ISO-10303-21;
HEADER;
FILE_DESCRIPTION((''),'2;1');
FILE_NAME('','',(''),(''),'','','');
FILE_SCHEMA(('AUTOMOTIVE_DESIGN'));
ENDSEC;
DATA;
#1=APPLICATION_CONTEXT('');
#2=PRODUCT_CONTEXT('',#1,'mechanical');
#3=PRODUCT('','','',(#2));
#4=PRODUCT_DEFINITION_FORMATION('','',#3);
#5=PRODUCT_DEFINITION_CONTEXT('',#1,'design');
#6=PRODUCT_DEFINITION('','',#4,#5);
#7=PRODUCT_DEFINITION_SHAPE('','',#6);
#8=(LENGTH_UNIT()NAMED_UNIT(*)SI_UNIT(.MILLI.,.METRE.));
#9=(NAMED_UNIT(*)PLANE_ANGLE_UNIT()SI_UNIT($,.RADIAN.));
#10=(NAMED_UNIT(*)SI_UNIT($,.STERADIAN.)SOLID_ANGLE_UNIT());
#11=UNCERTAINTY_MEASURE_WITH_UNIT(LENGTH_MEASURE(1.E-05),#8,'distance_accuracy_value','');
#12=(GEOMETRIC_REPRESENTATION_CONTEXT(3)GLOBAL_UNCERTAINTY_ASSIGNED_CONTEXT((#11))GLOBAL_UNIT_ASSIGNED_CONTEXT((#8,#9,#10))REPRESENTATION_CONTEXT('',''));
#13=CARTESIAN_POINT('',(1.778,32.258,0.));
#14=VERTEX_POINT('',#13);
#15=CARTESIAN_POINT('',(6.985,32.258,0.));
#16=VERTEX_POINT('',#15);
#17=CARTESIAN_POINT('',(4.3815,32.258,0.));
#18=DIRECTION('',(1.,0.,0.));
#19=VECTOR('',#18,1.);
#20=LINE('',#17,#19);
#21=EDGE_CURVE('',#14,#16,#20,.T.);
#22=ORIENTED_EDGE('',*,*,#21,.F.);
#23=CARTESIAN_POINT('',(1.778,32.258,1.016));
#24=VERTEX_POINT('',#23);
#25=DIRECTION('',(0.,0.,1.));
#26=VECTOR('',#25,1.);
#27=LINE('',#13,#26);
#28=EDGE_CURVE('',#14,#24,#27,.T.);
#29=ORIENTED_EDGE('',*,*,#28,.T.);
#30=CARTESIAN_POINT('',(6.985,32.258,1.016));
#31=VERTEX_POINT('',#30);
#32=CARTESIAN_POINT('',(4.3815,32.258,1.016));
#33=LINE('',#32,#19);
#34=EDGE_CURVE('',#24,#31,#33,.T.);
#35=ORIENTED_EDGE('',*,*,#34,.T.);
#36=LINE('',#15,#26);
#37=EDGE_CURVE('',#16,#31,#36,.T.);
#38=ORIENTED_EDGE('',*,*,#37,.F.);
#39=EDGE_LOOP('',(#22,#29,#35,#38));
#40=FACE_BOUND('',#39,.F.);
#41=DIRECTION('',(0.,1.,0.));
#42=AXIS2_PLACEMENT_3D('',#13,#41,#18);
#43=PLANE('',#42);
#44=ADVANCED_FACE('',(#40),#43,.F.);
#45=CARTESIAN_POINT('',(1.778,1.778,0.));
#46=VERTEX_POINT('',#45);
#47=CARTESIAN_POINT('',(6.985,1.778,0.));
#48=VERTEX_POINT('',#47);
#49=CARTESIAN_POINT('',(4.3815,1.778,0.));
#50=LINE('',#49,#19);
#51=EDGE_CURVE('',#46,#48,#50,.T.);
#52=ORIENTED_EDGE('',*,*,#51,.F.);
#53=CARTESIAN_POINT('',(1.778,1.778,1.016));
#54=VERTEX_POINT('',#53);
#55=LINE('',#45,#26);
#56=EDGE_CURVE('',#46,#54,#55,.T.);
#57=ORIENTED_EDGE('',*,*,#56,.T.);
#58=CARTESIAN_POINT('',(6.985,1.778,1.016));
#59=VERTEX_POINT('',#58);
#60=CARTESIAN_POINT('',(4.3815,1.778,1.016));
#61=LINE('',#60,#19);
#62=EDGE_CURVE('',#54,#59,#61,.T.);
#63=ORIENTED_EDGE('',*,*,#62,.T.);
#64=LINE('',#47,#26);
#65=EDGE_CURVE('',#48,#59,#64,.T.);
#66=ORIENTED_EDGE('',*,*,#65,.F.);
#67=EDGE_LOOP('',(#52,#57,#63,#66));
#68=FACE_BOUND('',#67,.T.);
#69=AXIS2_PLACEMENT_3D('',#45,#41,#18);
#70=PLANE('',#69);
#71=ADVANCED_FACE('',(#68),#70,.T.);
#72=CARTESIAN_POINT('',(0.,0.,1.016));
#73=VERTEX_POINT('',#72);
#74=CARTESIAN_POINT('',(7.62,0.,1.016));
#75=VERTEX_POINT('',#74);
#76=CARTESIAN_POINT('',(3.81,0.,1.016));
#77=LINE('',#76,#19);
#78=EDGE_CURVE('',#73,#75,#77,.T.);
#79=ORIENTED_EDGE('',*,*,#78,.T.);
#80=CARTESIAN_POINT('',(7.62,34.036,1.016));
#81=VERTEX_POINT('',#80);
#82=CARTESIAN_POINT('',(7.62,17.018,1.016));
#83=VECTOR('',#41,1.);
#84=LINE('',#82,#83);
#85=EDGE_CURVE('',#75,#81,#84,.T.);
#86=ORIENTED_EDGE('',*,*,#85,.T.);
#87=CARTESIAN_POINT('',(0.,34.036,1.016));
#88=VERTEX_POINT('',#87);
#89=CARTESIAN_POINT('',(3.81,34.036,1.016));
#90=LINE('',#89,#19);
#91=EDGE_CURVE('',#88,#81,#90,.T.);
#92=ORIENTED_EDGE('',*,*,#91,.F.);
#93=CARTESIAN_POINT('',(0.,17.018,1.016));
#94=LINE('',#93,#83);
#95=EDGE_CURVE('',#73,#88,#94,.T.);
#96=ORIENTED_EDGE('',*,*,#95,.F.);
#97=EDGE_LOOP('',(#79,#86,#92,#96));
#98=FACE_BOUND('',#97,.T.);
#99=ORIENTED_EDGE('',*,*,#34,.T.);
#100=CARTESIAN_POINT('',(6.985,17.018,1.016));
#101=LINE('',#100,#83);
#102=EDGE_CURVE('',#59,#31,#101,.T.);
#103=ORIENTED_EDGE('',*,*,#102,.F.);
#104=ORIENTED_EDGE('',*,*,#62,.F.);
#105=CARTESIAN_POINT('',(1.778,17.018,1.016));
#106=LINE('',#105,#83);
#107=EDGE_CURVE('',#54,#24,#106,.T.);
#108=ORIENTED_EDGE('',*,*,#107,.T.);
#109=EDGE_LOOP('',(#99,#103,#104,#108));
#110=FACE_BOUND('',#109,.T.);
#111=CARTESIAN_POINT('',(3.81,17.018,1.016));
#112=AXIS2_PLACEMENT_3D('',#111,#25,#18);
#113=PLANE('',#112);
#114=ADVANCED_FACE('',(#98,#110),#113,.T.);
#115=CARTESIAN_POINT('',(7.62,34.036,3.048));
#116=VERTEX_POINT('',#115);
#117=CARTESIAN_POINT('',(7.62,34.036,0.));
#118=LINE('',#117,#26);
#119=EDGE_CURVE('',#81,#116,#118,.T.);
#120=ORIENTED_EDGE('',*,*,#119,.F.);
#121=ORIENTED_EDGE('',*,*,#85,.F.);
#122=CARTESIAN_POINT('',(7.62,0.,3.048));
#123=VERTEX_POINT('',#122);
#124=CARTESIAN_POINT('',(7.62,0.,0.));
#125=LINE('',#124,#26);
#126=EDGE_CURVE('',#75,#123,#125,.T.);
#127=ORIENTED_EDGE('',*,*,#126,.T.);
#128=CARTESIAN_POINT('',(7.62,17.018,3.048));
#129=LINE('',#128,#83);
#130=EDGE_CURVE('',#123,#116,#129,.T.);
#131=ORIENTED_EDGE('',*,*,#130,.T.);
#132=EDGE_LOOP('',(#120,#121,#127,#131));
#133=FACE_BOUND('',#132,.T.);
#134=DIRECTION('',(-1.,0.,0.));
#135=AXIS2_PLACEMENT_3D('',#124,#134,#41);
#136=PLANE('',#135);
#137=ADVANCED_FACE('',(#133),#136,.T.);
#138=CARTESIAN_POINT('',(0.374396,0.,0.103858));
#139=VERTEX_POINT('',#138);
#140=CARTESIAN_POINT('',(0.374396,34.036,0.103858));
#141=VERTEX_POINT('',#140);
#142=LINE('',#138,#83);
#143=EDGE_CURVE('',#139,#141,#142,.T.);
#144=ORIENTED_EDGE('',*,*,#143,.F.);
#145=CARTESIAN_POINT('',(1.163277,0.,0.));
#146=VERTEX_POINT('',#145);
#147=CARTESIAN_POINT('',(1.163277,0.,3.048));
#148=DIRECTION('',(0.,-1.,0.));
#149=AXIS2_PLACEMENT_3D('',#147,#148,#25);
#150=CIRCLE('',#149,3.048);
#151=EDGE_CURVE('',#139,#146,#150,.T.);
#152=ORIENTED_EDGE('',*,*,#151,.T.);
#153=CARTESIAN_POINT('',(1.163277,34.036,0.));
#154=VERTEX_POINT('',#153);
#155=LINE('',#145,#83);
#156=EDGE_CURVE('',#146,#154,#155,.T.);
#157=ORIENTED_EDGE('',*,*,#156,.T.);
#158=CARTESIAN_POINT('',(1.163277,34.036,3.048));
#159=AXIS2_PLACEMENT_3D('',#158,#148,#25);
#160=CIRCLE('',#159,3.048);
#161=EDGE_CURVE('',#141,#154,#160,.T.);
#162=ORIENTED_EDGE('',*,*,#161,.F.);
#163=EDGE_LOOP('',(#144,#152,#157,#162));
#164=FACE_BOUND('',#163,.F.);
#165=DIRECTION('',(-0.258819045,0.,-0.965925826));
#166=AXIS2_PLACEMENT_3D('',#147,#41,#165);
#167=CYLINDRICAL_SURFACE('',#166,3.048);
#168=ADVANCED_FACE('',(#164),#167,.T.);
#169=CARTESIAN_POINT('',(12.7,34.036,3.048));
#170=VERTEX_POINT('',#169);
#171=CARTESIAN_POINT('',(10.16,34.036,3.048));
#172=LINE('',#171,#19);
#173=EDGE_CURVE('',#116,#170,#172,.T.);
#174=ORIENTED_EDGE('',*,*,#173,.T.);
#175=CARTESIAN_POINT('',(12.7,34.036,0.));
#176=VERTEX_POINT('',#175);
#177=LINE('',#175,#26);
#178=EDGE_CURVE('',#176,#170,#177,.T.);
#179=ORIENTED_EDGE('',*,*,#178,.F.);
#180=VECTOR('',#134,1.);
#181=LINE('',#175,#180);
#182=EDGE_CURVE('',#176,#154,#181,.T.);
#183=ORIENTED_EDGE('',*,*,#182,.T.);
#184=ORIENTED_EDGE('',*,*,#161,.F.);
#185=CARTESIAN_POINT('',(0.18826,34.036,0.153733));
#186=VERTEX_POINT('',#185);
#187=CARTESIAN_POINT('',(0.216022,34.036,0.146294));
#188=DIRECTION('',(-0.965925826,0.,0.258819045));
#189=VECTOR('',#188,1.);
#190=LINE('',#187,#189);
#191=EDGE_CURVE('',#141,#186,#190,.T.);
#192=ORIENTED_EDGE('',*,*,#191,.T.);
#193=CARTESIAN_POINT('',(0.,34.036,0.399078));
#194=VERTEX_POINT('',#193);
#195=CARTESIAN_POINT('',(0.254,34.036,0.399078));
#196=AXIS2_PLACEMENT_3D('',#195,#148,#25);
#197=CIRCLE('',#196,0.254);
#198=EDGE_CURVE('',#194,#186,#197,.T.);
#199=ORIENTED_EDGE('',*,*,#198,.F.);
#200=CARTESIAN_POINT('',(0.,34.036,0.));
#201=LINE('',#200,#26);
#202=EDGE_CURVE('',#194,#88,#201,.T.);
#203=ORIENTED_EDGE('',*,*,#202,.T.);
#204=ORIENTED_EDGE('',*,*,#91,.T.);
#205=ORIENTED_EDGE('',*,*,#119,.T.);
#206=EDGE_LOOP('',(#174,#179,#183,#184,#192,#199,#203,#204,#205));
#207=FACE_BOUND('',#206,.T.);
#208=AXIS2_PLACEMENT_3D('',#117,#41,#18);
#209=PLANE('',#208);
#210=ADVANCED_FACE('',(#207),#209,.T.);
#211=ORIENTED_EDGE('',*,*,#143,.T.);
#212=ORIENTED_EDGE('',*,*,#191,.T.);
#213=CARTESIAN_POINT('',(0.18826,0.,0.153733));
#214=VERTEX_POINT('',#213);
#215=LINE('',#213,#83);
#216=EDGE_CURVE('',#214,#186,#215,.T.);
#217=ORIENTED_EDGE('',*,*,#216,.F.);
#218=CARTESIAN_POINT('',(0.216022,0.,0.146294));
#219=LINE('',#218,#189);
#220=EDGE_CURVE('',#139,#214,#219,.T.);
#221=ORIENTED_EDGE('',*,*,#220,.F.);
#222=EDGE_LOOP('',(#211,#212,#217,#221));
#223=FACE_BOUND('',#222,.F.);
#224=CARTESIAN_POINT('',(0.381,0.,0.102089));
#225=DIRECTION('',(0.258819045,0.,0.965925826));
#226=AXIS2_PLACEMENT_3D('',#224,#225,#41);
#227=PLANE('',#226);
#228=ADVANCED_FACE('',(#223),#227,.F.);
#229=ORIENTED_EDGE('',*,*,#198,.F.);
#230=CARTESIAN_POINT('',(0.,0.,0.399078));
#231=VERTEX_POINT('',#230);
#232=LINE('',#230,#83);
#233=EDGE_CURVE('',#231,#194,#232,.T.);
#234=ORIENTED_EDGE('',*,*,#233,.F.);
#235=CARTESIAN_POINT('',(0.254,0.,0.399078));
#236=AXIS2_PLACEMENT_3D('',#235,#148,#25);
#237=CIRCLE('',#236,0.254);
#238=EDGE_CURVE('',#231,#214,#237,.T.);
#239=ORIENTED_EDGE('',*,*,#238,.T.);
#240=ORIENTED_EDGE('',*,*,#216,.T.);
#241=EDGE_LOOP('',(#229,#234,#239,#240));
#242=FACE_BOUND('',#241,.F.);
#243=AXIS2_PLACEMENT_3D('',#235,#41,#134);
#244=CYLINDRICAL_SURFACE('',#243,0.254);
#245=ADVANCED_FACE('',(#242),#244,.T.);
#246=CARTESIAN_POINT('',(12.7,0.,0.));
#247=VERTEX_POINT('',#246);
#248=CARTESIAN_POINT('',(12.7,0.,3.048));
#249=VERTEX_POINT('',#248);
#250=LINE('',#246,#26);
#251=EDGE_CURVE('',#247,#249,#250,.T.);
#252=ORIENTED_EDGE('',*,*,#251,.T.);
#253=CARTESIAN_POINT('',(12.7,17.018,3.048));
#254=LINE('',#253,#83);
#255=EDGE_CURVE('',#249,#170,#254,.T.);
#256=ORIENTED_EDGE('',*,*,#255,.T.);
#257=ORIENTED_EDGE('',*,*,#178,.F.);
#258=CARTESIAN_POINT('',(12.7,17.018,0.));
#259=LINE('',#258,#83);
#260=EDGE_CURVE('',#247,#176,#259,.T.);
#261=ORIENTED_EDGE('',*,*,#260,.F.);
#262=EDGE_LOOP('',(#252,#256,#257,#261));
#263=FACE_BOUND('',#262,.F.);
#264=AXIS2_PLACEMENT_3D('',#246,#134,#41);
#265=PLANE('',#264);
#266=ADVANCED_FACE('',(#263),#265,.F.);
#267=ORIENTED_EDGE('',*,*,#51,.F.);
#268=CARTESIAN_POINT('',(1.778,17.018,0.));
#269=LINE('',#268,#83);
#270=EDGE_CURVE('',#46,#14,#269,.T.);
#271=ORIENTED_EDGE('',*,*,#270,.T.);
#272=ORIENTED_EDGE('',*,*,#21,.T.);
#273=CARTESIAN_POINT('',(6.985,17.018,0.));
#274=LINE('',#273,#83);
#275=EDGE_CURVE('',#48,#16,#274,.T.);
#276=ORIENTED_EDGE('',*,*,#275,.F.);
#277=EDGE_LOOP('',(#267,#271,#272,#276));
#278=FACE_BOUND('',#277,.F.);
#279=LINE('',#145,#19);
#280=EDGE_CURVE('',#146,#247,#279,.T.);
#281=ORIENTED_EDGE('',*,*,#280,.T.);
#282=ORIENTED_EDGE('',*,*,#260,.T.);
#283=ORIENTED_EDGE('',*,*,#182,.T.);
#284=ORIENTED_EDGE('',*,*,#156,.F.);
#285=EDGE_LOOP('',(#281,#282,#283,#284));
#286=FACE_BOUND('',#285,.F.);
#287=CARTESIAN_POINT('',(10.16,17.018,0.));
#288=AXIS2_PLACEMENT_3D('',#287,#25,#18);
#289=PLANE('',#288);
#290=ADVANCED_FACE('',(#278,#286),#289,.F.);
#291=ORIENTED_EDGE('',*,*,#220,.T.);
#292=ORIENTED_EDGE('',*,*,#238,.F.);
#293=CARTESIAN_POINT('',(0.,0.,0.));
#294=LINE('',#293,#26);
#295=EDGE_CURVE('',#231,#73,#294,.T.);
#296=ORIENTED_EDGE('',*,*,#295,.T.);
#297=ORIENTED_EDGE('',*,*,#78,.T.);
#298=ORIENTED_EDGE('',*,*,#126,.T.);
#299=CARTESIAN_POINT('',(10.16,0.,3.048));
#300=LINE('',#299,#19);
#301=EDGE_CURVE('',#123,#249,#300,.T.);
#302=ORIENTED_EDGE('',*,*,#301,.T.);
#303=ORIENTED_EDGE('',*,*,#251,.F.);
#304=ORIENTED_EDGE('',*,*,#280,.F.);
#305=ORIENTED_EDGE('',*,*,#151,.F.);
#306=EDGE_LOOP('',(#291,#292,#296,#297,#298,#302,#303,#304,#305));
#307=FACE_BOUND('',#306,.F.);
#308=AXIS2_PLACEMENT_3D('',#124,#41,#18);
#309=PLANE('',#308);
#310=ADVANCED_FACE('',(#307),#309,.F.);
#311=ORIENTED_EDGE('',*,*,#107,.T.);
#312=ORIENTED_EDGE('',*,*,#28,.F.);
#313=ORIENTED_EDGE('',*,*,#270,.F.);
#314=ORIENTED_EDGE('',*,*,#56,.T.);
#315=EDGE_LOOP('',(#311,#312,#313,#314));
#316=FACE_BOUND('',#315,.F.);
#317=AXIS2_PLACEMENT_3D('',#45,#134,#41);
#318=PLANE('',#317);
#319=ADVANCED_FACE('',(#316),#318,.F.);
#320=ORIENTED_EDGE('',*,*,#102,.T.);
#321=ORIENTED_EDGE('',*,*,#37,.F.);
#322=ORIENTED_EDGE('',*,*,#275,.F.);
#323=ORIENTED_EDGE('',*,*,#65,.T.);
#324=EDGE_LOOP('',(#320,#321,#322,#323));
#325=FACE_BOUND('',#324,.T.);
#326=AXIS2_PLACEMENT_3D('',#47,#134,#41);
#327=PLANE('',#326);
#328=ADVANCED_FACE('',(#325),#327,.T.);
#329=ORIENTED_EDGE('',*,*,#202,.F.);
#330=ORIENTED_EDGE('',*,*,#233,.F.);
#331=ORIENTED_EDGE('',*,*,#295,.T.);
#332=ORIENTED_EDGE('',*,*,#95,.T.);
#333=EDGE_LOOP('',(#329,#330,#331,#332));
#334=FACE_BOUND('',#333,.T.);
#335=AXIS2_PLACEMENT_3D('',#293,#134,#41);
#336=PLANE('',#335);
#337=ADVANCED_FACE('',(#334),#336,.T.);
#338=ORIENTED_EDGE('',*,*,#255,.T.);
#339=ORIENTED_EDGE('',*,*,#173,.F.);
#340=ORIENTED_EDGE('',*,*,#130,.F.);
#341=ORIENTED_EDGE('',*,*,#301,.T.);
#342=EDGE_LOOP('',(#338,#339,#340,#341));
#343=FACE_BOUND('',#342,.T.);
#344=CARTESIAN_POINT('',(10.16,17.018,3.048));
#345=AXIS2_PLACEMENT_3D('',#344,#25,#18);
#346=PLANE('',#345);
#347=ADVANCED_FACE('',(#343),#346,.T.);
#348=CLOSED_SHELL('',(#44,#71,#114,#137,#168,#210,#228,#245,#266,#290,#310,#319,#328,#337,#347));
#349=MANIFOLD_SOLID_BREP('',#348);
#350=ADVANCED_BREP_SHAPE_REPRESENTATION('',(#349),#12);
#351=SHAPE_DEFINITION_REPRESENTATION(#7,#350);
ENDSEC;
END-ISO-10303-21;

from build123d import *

# Parameters (mm, degrees)
F0_W     = 7.62
F0_H     = 34.036
F0_W_2   = 5.207
F0_H_2   = 30.48
F1_DEPTH = 1.016
F2_SIZE2 = 0.2041772846
F2_SIZE  = 0.762
F3_R     = 0.254
F4_R     = 3.048
F5_W     = 5.08
F5_H     = 34.036
F6_DEPTH = 3.048


with BuildPart() as f1:
    # F0 (on Top) → F1 (new body)
    with BuildSketch(Plane.XY):
        with Locations((3.81, 17.018)):
            Rectangle(F0_W, F0_H)
        with Locations((4.3815, 17.018)):
            Rectangle(F0_W_2, F0_H_2, mode=Mode.SUBTRACT)
    extrude(amount=F1_DEPTH)

    # F2
    f2_edges = [f1.edges().sort_by_distance(p)[0] for p in [
        (0, 17.018, 0),
    ]]
    f2_side = f1.faces().sort_by_distance((0.348786, 17.018, 0))[0]
    chamfer(f2_edges, length=F2_SIZE, length2=F2_SIZE2, reference=f2_side)

    # F3
    f3_edges = [f1.edges().sort_by_distance(p)[0] for p in [
        (0, 17.018, 0.204177),
    ]]
    fillet(f3_edges, radius=F3_R)

    # F4
    f4_edges = [f1.edges().sort_by_distance(p)[0] for p in [
        (0.762, 17.018, 0),
    ]]
    fillet(f4_edges, radius=F4_R)

    # F5 (on Top) → F6 (join)
    with BuildSketch(Plane.XY):
        with Locations((10.16, 17.018)):
            Rectangle(F5_W, F5_H)
    extrude(amount=F6_DEPTH)


solid = f1.part
